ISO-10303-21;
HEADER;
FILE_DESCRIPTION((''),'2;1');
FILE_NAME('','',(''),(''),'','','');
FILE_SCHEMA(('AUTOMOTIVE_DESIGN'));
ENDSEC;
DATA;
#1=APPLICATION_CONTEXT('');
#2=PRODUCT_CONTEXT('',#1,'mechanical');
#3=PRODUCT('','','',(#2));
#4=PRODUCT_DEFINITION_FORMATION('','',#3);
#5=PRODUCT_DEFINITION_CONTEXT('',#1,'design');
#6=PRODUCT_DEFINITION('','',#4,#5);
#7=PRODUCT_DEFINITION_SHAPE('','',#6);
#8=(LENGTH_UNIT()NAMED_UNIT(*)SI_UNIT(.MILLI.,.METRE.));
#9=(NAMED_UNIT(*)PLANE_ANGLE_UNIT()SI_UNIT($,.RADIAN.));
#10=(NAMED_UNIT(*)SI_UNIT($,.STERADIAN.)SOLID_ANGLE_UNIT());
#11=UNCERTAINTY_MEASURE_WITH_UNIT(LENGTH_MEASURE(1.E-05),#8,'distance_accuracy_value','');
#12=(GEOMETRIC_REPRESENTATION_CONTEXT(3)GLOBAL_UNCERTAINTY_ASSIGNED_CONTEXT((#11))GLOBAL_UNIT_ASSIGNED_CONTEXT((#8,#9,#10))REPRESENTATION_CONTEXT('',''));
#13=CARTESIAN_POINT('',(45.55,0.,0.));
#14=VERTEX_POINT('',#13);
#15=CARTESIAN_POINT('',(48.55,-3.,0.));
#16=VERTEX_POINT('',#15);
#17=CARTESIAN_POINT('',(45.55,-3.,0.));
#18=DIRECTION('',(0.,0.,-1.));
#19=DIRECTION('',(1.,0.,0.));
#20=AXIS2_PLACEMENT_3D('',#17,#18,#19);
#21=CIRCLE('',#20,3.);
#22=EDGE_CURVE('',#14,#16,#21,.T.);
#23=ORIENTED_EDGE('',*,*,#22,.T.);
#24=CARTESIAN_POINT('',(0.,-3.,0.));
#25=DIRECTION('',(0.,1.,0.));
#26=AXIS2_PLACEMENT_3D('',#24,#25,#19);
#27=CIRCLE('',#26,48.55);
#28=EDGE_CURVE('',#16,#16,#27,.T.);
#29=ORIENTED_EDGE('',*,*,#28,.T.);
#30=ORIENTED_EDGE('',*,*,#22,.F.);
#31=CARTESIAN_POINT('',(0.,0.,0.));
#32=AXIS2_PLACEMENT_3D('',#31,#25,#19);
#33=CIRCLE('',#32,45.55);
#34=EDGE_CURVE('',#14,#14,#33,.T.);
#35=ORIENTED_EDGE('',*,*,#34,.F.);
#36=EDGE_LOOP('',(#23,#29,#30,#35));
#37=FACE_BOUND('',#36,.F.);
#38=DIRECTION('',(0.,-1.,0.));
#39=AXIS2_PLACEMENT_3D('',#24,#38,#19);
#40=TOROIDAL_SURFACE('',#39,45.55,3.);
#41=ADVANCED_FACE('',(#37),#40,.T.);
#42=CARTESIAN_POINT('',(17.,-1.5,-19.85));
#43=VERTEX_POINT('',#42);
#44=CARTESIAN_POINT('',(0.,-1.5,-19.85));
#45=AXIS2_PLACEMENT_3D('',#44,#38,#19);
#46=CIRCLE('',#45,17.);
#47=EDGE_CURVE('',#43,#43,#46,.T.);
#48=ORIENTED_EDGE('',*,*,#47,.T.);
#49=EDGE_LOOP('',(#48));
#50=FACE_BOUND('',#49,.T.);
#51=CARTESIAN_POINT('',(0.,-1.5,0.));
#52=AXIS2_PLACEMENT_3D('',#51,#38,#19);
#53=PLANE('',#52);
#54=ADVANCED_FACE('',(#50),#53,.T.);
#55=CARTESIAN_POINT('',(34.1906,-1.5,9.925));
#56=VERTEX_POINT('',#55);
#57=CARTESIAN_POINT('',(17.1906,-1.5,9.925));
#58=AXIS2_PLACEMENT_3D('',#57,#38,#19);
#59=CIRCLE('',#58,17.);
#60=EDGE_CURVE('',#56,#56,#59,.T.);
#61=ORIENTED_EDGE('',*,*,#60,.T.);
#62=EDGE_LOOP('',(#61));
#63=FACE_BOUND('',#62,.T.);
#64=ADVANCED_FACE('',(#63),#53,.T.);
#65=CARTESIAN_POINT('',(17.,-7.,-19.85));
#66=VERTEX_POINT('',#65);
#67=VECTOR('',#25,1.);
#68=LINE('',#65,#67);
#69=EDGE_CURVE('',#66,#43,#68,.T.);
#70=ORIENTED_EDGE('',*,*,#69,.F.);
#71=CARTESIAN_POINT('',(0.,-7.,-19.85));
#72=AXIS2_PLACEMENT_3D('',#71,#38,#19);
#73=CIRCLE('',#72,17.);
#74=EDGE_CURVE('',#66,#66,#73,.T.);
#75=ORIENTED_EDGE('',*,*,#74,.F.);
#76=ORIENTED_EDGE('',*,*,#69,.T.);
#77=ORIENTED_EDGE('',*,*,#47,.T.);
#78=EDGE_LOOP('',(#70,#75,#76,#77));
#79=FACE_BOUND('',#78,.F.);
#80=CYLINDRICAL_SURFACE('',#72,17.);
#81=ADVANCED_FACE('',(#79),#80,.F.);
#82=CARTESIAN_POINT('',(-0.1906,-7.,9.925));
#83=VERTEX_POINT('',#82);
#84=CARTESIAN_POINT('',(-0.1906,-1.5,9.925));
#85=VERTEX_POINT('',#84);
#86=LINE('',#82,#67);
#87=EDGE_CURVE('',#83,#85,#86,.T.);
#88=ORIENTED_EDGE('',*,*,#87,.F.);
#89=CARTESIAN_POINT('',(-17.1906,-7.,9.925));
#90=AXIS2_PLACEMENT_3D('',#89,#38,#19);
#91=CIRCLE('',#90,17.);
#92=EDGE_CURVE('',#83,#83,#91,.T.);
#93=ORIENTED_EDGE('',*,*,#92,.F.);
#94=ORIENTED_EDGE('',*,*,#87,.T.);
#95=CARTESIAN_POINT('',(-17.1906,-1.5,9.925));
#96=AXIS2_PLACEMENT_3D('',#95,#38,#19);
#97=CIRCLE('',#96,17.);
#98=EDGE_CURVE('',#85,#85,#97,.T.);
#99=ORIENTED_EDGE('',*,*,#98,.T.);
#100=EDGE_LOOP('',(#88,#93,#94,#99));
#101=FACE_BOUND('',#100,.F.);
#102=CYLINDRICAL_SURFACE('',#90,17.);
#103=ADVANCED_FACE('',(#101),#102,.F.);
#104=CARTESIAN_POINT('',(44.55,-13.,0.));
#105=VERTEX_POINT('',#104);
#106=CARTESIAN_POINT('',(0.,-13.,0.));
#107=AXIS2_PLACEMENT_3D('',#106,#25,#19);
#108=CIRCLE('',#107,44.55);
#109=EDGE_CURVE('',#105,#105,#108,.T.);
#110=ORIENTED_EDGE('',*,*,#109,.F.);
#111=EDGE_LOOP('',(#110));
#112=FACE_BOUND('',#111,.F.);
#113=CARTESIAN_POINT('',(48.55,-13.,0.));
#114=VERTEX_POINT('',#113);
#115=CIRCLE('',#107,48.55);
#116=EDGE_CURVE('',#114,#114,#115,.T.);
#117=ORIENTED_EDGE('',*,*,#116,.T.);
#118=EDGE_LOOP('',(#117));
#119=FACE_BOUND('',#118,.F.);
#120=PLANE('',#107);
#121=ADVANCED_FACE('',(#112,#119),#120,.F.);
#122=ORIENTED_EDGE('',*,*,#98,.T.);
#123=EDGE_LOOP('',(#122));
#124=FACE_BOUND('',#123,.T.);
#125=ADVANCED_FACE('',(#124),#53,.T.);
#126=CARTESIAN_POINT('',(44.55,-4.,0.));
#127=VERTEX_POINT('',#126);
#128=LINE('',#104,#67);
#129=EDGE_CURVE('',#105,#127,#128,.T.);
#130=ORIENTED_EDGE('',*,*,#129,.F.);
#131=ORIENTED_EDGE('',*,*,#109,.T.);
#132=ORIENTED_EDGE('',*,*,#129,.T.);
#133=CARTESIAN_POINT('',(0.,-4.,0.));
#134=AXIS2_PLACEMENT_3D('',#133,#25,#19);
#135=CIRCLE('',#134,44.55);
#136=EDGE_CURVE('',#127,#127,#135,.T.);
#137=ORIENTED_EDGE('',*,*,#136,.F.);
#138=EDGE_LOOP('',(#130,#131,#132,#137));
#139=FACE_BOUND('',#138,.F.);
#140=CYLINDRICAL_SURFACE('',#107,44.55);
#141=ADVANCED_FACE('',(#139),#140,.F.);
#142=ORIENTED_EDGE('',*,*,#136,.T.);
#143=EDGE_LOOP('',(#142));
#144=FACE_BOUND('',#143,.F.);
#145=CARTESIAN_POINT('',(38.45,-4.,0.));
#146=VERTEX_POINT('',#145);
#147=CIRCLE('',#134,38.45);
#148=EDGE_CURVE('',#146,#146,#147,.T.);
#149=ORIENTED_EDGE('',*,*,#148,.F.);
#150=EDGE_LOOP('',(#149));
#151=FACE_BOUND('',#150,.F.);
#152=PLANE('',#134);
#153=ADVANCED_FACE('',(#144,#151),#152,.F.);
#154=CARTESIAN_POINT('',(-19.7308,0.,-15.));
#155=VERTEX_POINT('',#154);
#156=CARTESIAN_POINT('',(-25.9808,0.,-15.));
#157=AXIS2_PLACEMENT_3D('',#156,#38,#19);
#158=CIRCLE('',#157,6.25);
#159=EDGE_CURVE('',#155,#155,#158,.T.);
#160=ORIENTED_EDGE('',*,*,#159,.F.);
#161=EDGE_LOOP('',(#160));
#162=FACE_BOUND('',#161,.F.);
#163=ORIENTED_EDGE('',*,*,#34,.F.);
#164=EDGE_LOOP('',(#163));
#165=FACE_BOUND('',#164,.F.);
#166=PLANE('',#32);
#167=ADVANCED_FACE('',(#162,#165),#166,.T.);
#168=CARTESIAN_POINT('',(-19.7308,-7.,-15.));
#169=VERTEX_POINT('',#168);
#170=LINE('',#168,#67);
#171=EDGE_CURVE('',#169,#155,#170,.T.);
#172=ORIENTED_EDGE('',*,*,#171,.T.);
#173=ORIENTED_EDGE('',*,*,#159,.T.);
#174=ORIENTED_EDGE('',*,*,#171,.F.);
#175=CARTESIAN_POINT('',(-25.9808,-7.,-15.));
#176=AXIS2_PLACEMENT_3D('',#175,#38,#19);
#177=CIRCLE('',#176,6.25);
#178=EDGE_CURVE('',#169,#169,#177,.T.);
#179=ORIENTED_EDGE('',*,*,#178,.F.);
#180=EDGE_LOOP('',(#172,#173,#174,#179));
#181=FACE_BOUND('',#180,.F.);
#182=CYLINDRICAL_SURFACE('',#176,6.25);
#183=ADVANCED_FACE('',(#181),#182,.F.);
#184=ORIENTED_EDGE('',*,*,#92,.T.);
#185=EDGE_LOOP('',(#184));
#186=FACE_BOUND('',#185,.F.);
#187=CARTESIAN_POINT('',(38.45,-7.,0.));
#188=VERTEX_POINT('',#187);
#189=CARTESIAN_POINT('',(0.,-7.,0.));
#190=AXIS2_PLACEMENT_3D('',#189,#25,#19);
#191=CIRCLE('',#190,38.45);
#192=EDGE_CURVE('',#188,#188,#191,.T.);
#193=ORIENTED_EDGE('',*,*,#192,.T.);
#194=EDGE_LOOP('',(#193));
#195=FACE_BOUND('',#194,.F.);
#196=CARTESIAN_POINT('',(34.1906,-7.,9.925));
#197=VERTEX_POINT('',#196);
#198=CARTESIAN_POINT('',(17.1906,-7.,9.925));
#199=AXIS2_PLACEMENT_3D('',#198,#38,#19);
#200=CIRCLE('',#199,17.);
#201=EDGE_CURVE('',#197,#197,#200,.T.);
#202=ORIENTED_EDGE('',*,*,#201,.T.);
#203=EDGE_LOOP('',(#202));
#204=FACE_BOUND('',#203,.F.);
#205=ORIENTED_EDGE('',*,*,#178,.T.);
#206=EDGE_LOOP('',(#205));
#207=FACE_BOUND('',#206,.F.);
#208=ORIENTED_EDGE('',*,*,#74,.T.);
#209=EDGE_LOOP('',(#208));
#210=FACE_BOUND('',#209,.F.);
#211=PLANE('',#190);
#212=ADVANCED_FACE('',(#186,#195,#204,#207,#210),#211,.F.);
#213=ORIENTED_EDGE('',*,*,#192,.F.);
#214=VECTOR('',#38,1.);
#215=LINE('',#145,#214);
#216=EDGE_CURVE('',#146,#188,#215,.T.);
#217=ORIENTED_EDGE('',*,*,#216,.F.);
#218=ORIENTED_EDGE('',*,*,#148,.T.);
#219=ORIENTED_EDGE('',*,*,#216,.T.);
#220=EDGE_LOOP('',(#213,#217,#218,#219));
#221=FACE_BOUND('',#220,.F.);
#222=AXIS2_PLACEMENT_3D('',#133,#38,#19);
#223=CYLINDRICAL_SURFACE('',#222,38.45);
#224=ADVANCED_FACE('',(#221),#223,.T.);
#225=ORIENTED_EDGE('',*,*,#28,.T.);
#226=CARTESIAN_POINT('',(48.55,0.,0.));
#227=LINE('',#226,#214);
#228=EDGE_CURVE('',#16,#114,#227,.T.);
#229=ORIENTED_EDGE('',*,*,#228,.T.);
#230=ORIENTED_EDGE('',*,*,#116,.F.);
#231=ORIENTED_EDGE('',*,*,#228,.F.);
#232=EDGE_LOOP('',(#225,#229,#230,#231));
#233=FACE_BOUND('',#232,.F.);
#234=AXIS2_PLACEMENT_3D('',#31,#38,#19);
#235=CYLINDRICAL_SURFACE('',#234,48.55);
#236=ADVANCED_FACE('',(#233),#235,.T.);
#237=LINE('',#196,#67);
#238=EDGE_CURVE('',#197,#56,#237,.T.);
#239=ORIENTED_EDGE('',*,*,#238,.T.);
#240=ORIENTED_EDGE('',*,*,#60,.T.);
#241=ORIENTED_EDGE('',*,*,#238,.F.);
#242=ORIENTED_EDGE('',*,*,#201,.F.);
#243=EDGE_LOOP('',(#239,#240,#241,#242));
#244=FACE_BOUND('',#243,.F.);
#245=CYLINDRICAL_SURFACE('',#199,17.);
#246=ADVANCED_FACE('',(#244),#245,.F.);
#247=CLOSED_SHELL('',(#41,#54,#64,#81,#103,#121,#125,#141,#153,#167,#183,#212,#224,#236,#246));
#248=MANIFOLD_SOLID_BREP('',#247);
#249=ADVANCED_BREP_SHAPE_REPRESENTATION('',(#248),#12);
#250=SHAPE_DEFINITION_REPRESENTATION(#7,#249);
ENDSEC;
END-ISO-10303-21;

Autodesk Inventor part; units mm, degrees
ref_plane "YZ Plane" through (0, 0, 0) normal (1, 0, 0) x (0, 1, 0)
ref_plane "XZ Plane" through (0, 0, 0) normal (0, 1, 0) x (-1, 0, 0)
ref_plane "XY Plane" through (0, 0, 0) normal (0, 0, 1) x (1, 0, 0)
sketch "Sketch2" plane through (0, 0, 0) normal (0, 0, 1) x (1, 0, 0)
  line L0 (0, 0) -> (48.55, 0)
  line L1 (48.55, 0) -> (48.55, -13)
  line L2 (48.55, -13) -> (44.55, -13)
  line L3 (44.55, -13) -> (44.55, -4)
  line L4 (44.55, -4) -> (38.45, -4)
  line L5 (38.45, -4) -> (38.45, -7)
  line L6 (38.45, -7) -> (0, -7)
  line L7 (0, -7) -> (0, 0)
  dimension "d0" = 48.55
  dimension "d1" = 4
  dimension "d2" = 6.1
  dimension "d3" = 13
  dimension "d4" = 4
  dimension "d5" = 7
revolve "Revolution1" add sketch "Sketch2" angle 360 about axis through (0, -7, 0) along (0, 1, 0)
fillet "Fillet1" radius 3 1 edges at (-48.55, 0, 0)
sketch "Sketch3" plane through (0, -7, 0) normal (0, -1, 0) x (1, 0, 0)
  circle A0 centre (0, -19.85) radius 17
  circle A1 centre (0, 0) radius 38.45 projected
  circle A2 centre (17.1906, 9.925) radius 17
  circle A3 centre (-17.1906, 9.925) radius 17
  dimension "d8" = 34
  dimension "d11" = 360
  dimension "d15" = 19.85
extrude "Extrusion1" cut sketch "Sketch3" against normal blind 5.5 contours A0 | A2 | A3
sketch "Sketch5" plane through (0, -7, 0) normal (0, -1, 0) x (1, 0, 0)
  circle A0 centre (-25.9808, -15) radius 6.25
  line L0 (-25.9808, -15) -> (0, 0) construction
  line L1 (0, 0) -> (-9.9215, 0) construction
  dimension "d16" = 12.5
  dimension "d17" = 30
  dimension "d20" = 30
extrude "Extrusion2" cut sketch "Sketch5" against normal through all
properties part number "lid-proto-v2"
